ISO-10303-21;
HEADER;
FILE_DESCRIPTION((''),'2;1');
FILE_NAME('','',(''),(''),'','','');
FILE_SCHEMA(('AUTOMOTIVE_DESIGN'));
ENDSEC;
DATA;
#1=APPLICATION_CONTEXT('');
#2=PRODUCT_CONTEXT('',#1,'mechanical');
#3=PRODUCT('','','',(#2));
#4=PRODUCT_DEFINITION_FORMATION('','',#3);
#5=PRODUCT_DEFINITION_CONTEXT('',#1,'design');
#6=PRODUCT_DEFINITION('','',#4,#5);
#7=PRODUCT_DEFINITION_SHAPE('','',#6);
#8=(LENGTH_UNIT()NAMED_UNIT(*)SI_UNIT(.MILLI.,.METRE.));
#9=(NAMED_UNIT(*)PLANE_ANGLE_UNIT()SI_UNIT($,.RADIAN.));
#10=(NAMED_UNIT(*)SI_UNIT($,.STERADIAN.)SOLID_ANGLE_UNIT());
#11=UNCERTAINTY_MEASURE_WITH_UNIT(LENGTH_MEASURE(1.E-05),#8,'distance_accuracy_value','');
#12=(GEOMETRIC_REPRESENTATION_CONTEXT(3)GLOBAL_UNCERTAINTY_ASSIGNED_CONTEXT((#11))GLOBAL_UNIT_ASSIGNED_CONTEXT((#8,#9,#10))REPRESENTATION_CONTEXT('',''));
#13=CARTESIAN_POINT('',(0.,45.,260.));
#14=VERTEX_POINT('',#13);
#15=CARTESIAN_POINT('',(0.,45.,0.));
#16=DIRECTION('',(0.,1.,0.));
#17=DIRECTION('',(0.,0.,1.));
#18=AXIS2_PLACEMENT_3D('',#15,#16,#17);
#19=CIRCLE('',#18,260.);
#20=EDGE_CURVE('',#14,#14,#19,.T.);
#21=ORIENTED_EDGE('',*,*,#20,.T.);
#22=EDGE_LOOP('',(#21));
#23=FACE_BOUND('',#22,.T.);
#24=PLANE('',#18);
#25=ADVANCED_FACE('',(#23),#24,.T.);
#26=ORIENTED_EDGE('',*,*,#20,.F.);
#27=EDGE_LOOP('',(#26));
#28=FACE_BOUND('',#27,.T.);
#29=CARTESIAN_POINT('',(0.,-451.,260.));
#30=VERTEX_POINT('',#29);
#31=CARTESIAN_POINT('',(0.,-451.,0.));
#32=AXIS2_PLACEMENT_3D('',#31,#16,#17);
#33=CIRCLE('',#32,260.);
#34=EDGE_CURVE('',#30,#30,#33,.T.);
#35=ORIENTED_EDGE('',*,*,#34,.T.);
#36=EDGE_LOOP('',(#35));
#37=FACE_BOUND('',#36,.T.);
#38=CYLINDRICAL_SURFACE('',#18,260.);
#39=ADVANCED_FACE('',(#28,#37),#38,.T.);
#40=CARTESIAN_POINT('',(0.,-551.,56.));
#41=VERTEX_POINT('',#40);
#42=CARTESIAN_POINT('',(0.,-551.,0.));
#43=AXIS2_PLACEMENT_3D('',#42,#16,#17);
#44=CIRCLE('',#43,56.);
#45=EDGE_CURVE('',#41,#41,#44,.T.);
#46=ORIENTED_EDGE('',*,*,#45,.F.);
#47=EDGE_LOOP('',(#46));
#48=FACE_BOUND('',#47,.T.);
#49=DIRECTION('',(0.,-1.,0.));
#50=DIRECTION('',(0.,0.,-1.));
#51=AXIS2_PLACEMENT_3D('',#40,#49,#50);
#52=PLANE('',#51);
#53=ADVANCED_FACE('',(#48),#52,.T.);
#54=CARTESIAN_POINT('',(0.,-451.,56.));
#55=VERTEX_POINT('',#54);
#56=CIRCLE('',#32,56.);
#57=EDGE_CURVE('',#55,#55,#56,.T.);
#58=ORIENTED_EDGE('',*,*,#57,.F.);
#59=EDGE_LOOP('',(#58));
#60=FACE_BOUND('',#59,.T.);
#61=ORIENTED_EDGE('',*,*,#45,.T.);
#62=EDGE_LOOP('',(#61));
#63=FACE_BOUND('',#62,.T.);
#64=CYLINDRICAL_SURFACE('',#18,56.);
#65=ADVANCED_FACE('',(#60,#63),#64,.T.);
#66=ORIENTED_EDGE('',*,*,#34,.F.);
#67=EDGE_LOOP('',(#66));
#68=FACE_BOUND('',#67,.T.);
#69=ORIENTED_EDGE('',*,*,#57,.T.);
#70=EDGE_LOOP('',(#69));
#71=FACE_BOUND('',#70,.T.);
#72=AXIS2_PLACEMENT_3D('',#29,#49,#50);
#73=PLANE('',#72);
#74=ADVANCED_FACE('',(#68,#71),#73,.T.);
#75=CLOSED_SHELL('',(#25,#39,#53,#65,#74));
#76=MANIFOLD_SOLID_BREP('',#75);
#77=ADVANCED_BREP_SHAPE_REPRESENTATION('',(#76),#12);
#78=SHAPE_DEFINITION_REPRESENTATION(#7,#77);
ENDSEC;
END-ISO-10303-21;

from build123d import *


with BuildPart() as part:
    # Croquis1 → Revolución1 (revolve)
    with BuildSketch(Plane(origin=(0, 0, 0), x_dir=(0, 0, -1), z_dir=(1, 0, 0))):
        Polygon((0, 45), (-260, 45), (-260, -451), (-56, -451), (-56, -551), (0, -551), align=None)
    revolve(axis=Axis((0, 45, 0), (0, -1, 0)))


solid = part.part
